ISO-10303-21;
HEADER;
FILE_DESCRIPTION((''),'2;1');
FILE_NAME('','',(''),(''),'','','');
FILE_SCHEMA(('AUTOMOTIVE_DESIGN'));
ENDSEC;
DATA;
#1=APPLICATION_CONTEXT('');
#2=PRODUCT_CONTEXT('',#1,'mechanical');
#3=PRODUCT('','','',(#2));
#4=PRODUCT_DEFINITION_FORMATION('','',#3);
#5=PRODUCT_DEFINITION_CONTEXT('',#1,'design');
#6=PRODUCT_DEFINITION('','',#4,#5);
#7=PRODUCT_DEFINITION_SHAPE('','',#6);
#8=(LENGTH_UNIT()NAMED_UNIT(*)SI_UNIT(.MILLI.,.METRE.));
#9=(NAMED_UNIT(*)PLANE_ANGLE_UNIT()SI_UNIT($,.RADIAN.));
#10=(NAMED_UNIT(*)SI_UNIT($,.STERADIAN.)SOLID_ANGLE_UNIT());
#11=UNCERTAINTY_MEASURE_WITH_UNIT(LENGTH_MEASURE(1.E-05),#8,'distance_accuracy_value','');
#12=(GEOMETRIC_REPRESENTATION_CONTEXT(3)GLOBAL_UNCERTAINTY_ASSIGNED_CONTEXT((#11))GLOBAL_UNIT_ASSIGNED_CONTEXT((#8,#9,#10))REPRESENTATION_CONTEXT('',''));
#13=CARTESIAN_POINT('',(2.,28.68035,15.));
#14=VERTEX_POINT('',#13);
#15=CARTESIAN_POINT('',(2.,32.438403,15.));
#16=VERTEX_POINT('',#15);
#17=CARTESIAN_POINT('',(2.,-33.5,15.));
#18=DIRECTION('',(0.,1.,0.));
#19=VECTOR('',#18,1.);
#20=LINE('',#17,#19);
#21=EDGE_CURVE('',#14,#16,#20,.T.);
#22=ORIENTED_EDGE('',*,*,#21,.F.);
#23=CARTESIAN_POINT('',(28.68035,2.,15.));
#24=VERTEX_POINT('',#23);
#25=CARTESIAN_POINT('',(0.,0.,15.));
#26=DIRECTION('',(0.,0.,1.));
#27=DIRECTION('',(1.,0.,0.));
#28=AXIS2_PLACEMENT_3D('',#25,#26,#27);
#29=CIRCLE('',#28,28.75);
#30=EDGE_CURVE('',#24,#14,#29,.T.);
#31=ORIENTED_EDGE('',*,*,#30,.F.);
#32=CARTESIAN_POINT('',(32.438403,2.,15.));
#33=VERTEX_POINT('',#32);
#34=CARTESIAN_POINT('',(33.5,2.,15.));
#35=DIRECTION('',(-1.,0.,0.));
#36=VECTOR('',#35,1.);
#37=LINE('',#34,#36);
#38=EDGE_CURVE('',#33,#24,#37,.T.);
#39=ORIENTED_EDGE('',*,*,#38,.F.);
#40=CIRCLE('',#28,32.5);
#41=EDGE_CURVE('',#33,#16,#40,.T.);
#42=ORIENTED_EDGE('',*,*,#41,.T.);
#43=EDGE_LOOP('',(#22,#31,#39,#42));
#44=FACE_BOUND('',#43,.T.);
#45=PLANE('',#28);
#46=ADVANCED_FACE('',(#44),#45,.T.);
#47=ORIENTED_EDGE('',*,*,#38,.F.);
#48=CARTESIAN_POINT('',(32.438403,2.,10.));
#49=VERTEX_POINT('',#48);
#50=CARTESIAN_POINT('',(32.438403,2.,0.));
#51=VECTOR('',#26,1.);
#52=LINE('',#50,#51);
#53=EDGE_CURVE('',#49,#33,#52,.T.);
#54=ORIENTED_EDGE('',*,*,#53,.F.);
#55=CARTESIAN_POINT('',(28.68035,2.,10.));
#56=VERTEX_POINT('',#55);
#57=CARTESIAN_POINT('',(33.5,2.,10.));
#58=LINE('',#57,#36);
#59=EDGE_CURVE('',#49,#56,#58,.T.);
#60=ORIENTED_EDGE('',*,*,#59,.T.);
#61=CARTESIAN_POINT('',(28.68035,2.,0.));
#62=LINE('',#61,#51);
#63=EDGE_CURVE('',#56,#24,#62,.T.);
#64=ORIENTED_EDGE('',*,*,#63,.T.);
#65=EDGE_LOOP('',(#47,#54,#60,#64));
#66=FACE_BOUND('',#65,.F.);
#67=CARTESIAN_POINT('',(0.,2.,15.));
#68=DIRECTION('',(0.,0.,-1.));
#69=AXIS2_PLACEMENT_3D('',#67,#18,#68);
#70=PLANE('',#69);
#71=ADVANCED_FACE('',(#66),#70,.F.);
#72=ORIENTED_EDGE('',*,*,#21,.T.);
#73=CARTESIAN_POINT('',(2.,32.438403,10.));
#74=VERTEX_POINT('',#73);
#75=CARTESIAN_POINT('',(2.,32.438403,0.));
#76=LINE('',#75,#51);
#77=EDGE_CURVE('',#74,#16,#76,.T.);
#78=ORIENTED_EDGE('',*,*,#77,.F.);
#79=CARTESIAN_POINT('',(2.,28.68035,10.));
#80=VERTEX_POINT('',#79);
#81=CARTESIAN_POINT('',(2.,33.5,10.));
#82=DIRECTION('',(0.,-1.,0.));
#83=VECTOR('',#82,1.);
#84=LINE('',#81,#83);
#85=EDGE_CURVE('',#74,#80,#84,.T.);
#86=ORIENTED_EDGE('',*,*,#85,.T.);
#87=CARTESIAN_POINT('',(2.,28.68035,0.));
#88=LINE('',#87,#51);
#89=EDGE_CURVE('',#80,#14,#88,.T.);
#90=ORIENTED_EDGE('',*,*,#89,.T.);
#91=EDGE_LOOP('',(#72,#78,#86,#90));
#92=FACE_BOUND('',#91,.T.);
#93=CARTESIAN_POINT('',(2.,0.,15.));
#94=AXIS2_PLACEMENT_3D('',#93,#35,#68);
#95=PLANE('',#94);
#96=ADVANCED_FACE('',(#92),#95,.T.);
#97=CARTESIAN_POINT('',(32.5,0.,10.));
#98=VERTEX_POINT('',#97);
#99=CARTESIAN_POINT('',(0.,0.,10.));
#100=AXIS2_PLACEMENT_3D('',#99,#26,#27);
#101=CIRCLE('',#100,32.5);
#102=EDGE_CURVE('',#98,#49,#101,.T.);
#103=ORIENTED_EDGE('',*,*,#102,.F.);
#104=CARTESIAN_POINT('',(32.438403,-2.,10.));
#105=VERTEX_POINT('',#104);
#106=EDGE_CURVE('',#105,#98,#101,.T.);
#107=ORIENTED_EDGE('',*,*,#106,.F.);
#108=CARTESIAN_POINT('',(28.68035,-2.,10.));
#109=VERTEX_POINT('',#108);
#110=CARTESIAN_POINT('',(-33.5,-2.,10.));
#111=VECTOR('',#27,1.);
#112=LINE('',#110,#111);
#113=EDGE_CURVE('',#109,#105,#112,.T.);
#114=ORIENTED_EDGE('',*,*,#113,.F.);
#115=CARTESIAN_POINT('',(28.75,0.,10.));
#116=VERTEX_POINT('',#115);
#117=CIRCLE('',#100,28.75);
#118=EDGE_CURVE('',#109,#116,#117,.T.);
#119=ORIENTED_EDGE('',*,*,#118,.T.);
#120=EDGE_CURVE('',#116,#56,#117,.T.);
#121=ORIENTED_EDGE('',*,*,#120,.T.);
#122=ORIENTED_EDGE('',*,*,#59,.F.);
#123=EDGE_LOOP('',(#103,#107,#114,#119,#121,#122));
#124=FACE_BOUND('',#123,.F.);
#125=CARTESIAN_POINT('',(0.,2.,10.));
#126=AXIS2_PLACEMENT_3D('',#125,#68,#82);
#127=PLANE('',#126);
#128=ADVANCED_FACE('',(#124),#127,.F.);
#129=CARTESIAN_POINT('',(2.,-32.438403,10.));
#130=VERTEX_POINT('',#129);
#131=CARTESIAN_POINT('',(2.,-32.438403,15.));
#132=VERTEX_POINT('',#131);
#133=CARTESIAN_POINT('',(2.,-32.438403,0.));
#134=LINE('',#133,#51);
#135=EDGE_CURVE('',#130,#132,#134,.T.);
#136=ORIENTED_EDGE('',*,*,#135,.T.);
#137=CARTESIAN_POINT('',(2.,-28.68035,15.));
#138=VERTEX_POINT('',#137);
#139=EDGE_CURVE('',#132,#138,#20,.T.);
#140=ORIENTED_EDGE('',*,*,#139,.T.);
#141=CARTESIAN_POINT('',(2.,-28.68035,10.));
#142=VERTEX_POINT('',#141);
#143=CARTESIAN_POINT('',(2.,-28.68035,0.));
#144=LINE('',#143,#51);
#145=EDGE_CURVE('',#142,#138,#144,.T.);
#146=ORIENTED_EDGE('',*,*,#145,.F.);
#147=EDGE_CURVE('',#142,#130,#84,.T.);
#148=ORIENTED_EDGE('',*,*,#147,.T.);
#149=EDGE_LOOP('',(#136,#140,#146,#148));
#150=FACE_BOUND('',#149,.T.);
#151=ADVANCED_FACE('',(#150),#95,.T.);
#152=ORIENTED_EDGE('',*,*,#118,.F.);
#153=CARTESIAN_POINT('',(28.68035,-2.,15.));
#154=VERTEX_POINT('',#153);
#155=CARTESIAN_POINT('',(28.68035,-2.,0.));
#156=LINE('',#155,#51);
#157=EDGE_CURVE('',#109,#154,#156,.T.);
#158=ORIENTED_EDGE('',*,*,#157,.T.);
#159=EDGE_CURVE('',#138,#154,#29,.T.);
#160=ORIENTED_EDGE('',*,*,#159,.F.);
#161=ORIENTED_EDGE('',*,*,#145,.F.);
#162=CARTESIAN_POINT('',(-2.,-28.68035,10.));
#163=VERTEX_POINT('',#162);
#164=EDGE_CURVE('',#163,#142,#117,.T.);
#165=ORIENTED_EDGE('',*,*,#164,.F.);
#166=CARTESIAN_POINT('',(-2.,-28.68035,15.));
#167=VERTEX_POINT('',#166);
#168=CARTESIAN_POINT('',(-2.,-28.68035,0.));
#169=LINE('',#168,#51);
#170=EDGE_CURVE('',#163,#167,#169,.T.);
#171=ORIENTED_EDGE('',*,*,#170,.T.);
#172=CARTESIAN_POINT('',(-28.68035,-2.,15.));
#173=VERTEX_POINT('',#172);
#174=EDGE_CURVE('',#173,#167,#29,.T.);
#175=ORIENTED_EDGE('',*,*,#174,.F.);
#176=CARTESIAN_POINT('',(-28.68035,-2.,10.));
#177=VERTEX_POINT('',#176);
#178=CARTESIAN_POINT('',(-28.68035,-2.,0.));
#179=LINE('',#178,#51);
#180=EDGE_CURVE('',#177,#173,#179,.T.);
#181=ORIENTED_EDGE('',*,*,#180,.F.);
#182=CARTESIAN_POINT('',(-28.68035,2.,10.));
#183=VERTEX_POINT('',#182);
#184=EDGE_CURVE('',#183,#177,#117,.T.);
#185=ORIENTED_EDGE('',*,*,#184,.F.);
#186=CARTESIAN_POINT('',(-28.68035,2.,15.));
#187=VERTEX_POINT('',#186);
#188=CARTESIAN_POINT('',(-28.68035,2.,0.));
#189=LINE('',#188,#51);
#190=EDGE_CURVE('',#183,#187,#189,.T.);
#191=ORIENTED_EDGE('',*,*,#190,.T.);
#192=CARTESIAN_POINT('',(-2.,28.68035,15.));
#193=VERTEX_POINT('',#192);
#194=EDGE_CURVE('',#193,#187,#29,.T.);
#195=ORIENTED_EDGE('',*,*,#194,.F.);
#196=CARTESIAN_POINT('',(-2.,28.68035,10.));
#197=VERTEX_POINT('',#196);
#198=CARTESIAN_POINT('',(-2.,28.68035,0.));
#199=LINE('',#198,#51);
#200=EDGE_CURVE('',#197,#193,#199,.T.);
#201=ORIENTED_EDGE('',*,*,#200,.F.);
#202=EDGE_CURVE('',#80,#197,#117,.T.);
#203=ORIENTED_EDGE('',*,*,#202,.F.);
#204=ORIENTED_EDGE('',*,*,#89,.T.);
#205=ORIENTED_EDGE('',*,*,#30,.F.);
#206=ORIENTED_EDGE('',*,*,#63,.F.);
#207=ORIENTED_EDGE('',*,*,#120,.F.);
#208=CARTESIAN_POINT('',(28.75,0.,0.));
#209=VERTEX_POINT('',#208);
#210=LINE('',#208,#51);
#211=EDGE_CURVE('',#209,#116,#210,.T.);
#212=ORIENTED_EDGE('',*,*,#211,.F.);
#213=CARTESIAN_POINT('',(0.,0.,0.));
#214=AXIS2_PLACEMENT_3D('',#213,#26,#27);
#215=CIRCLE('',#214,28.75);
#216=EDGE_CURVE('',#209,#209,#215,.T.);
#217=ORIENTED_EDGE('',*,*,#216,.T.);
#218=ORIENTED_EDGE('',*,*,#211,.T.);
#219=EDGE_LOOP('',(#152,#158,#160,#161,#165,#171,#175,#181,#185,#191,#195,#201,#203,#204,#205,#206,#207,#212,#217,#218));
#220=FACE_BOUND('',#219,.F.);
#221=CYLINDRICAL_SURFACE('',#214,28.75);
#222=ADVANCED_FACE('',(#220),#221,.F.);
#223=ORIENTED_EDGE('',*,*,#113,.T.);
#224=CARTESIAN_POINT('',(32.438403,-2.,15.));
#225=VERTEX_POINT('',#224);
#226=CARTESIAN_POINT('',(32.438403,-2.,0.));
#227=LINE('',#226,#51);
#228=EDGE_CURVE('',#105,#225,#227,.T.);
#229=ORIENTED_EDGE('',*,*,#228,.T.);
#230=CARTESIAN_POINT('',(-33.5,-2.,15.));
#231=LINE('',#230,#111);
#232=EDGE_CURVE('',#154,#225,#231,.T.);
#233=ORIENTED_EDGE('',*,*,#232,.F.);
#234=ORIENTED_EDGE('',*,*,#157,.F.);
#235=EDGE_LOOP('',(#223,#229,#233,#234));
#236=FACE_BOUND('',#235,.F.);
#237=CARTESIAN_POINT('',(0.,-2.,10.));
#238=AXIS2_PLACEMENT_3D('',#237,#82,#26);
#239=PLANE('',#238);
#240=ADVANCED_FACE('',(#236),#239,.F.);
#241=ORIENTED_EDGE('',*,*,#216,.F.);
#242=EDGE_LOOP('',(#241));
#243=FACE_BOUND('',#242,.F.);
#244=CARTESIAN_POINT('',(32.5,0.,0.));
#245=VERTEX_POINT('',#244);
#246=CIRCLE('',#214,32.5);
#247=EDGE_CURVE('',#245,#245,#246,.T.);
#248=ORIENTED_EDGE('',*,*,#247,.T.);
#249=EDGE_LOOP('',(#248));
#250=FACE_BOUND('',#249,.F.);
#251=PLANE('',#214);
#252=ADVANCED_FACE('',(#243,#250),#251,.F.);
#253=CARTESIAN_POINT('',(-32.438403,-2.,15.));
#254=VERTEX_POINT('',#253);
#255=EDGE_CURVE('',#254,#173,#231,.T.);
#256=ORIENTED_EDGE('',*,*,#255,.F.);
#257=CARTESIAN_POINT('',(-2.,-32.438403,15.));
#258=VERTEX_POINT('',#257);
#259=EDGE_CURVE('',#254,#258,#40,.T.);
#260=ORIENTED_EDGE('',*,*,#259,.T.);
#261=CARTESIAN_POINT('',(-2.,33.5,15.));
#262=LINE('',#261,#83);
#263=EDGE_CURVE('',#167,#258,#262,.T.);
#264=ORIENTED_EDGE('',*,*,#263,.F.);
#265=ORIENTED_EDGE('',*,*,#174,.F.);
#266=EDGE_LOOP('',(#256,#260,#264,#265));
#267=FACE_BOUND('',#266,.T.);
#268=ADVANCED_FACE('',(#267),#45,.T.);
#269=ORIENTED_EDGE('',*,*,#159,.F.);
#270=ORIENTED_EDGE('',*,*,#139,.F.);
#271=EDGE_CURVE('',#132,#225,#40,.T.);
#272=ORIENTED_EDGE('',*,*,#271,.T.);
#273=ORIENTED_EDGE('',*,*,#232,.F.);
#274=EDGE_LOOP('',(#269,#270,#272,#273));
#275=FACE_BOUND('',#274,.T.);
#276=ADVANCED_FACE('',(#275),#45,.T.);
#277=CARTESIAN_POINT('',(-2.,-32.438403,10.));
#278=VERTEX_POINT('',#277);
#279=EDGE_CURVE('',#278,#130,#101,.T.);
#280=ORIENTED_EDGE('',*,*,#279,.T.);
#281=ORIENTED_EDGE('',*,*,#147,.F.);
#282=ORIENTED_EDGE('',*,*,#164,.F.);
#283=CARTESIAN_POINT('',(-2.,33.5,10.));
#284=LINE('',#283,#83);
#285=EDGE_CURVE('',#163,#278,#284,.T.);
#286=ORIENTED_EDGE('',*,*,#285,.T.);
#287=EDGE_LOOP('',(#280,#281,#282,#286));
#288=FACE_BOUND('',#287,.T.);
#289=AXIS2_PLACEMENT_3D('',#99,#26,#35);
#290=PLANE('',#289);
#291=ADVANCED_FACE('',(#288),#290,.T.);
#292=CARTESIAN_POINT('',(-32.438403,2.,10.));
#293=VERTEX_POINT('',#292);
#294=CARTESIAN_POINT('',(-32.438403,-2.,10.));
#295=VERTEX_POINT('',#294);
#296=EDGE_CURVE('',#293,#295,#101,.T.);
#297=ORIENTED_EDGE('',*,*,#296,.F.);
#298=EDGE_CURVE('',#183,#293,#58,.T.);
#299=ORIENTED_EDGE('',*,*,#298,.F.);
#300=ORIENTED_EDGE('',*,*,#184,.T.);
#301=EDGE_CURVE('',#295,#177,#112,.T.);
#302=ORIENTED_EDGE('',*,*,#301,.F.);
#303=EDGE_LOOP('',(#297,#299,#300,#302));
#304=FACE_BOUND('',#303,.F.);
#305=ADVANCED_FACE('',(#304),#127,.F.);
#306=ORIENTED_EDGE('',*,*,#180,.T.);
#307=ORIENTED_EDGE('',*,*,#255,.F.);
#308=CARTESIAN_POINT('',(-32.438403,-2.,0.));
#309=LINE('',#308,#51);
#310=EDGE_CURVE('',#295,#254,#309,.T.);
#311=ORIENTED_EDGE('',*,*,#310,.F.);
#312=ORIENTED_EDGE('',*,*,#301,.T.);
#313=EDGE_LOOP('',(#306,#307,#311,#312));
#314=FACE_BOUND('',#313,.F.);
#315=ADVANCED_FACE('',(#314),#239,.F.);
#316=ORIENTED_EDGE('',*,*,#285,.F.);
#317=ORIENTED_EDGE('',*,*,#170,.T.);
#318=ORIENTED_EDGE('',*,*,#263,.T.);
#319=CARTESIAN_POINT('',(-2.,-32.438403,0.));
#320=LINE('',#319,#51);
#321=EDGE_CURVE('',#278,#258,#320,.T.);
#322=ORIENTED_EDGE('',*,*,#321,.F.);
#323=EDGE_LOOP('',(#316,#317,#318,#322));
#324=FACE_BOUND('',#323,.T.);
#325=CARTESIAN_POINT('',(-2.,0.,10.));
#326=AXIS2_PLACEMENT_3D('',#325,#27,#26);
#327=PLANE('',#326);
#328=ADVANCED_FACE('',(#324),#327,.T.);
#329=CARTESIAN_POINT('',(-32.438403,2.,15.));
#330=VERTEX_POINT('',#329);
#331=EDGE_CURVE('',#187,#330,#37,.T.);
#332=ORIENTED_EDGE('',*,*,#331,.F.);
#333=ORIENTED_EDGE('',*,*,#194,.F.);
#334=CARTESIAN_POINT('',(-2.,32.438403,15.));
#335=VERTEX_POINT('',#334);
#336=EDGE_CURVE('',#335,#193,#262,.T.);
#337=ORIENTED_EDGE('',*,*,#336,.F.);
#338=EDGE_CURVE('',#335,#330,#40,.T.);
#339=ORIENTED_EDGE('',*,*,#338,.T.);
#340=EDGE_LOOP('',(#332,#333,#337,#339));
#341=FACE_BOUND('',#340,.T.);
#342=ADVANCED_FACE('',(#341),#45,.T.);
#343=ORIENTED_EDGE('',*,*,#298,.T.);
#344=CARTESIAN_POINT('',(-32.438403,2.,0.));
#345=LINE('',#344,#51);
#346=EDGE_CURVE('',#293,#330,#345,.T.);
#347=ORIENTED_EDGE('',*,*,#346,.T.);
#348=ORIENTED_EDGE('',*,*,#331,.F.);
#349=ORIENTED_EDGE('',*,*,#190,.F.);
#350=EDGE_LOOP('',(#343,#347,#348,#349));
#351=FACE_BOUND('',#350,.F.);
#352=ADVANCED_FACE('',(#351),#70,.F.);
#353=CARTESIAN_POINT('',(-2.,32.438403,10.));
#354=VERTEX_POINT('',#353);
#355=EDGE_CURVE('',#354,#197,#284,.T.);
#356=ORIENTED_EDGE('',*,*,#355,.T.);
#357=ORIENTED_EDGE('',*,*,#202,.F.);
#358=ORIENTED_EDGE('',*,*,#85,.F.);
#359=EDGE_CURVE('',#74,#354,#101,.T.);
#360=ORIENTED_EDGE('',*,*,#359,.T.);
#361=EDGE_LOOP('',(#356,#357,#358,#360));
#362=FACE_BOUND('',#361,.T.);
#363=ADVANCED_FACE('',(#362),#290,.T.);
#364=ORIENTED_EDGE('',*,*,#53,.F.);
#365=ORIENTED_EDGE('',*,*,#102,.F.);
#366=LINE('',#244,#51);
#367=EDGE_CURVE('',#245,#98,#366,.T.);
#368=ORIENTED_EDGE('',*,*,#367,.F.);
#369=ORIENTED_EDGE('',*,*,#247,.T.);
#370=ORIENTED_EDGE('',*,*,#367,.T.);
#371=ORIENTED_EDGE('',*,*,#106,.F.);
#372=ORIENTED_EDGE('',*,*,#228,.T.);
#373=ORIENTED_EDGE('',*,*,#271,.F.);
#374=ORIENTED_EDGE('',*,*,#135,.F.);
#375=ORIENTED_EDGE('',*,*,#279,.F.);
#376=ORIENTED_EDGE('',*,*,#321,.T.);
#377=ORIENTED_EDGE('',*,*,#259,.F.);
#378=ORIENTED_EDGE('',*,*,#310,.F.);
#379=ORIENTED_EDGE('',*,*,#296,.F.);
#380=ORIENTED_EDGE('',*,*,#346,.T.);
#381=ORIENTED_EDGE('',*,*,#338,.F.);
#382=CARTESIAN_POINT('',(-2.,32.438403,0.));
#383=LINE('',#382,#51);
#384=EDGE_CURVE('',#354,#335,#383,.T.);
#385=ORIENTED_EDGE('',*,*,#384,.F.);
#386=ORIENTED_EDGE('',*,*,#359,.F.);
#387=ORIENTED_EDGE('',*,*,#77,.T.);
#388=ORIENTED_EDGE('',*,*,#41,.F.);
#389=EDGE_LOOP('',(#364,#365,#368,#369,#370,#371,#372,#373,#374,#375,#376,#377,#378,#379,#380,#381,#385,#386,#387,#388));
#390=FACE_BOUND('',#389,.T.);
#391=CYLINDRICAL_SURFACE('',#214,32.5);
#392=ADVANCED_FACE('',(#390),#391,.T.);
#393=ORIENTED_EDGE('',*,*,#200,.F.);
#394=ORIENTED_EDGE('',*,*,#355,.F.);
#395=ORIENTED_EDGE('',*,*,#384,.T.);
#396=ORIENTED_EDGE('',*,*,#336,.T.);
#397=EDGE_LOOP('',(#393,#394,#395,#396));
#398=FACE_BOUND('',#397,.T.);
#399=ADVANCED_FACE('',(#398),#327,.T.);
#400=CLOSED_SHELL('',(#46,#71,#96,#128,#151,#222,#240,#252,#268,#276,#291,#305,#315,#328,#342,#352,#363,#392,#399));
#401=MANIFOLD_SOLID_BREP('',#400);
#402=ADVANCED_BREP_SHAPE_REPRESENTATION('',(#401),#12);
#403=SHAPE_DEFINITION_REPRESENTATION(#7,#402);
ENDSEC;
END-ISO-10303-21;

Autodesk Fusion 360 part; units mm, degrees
cylinder "CylinderPrimitive1" add diameter 65 height 15 placed x (1, 0, 0) y (0, 1, 0) z (0, 0, 1) at (0, 0, 0)
cylinder "CylinderPrimitive2" cut diameter 57.5 height -15 placed x (1, 0, 0) y (0, 1, 0) z (0, 0, 1) at (0, 0, 15)
sketch "Sketch5" plane through (0, 0, 0) normal (0, 1, 0) x (1, 0, 0)
  line L0 (0, -15) -> (0, 0)
  line L1 (-2, -15) -> (2, -15)
  line L2 (2, -15) -> (2, -10)
  line L3 (2, -10) -> (-2, -10)
  line L4 (-2, -10) -> (-2, -15)
sketch "Sketch6" plane through (0, 0, 0) normal (1, 0, 0) x (0, 1, 0)
  line L0 (0, 15) -> (0, 0)
  line L1 (-2, 15) -> (2, 15)
  line L2 (2, 15) -> (2, 10)
  line L3 (2, 10) -> (-2, 10)
  line L4 (-2, 10) -> (-2, 15)
extrude "Extrude1" cut sketch "Sketch6" along normal through all and the other way through all
extrude "Extrude2" cut sketch "Sketch5" along normal through all and the other way through all
